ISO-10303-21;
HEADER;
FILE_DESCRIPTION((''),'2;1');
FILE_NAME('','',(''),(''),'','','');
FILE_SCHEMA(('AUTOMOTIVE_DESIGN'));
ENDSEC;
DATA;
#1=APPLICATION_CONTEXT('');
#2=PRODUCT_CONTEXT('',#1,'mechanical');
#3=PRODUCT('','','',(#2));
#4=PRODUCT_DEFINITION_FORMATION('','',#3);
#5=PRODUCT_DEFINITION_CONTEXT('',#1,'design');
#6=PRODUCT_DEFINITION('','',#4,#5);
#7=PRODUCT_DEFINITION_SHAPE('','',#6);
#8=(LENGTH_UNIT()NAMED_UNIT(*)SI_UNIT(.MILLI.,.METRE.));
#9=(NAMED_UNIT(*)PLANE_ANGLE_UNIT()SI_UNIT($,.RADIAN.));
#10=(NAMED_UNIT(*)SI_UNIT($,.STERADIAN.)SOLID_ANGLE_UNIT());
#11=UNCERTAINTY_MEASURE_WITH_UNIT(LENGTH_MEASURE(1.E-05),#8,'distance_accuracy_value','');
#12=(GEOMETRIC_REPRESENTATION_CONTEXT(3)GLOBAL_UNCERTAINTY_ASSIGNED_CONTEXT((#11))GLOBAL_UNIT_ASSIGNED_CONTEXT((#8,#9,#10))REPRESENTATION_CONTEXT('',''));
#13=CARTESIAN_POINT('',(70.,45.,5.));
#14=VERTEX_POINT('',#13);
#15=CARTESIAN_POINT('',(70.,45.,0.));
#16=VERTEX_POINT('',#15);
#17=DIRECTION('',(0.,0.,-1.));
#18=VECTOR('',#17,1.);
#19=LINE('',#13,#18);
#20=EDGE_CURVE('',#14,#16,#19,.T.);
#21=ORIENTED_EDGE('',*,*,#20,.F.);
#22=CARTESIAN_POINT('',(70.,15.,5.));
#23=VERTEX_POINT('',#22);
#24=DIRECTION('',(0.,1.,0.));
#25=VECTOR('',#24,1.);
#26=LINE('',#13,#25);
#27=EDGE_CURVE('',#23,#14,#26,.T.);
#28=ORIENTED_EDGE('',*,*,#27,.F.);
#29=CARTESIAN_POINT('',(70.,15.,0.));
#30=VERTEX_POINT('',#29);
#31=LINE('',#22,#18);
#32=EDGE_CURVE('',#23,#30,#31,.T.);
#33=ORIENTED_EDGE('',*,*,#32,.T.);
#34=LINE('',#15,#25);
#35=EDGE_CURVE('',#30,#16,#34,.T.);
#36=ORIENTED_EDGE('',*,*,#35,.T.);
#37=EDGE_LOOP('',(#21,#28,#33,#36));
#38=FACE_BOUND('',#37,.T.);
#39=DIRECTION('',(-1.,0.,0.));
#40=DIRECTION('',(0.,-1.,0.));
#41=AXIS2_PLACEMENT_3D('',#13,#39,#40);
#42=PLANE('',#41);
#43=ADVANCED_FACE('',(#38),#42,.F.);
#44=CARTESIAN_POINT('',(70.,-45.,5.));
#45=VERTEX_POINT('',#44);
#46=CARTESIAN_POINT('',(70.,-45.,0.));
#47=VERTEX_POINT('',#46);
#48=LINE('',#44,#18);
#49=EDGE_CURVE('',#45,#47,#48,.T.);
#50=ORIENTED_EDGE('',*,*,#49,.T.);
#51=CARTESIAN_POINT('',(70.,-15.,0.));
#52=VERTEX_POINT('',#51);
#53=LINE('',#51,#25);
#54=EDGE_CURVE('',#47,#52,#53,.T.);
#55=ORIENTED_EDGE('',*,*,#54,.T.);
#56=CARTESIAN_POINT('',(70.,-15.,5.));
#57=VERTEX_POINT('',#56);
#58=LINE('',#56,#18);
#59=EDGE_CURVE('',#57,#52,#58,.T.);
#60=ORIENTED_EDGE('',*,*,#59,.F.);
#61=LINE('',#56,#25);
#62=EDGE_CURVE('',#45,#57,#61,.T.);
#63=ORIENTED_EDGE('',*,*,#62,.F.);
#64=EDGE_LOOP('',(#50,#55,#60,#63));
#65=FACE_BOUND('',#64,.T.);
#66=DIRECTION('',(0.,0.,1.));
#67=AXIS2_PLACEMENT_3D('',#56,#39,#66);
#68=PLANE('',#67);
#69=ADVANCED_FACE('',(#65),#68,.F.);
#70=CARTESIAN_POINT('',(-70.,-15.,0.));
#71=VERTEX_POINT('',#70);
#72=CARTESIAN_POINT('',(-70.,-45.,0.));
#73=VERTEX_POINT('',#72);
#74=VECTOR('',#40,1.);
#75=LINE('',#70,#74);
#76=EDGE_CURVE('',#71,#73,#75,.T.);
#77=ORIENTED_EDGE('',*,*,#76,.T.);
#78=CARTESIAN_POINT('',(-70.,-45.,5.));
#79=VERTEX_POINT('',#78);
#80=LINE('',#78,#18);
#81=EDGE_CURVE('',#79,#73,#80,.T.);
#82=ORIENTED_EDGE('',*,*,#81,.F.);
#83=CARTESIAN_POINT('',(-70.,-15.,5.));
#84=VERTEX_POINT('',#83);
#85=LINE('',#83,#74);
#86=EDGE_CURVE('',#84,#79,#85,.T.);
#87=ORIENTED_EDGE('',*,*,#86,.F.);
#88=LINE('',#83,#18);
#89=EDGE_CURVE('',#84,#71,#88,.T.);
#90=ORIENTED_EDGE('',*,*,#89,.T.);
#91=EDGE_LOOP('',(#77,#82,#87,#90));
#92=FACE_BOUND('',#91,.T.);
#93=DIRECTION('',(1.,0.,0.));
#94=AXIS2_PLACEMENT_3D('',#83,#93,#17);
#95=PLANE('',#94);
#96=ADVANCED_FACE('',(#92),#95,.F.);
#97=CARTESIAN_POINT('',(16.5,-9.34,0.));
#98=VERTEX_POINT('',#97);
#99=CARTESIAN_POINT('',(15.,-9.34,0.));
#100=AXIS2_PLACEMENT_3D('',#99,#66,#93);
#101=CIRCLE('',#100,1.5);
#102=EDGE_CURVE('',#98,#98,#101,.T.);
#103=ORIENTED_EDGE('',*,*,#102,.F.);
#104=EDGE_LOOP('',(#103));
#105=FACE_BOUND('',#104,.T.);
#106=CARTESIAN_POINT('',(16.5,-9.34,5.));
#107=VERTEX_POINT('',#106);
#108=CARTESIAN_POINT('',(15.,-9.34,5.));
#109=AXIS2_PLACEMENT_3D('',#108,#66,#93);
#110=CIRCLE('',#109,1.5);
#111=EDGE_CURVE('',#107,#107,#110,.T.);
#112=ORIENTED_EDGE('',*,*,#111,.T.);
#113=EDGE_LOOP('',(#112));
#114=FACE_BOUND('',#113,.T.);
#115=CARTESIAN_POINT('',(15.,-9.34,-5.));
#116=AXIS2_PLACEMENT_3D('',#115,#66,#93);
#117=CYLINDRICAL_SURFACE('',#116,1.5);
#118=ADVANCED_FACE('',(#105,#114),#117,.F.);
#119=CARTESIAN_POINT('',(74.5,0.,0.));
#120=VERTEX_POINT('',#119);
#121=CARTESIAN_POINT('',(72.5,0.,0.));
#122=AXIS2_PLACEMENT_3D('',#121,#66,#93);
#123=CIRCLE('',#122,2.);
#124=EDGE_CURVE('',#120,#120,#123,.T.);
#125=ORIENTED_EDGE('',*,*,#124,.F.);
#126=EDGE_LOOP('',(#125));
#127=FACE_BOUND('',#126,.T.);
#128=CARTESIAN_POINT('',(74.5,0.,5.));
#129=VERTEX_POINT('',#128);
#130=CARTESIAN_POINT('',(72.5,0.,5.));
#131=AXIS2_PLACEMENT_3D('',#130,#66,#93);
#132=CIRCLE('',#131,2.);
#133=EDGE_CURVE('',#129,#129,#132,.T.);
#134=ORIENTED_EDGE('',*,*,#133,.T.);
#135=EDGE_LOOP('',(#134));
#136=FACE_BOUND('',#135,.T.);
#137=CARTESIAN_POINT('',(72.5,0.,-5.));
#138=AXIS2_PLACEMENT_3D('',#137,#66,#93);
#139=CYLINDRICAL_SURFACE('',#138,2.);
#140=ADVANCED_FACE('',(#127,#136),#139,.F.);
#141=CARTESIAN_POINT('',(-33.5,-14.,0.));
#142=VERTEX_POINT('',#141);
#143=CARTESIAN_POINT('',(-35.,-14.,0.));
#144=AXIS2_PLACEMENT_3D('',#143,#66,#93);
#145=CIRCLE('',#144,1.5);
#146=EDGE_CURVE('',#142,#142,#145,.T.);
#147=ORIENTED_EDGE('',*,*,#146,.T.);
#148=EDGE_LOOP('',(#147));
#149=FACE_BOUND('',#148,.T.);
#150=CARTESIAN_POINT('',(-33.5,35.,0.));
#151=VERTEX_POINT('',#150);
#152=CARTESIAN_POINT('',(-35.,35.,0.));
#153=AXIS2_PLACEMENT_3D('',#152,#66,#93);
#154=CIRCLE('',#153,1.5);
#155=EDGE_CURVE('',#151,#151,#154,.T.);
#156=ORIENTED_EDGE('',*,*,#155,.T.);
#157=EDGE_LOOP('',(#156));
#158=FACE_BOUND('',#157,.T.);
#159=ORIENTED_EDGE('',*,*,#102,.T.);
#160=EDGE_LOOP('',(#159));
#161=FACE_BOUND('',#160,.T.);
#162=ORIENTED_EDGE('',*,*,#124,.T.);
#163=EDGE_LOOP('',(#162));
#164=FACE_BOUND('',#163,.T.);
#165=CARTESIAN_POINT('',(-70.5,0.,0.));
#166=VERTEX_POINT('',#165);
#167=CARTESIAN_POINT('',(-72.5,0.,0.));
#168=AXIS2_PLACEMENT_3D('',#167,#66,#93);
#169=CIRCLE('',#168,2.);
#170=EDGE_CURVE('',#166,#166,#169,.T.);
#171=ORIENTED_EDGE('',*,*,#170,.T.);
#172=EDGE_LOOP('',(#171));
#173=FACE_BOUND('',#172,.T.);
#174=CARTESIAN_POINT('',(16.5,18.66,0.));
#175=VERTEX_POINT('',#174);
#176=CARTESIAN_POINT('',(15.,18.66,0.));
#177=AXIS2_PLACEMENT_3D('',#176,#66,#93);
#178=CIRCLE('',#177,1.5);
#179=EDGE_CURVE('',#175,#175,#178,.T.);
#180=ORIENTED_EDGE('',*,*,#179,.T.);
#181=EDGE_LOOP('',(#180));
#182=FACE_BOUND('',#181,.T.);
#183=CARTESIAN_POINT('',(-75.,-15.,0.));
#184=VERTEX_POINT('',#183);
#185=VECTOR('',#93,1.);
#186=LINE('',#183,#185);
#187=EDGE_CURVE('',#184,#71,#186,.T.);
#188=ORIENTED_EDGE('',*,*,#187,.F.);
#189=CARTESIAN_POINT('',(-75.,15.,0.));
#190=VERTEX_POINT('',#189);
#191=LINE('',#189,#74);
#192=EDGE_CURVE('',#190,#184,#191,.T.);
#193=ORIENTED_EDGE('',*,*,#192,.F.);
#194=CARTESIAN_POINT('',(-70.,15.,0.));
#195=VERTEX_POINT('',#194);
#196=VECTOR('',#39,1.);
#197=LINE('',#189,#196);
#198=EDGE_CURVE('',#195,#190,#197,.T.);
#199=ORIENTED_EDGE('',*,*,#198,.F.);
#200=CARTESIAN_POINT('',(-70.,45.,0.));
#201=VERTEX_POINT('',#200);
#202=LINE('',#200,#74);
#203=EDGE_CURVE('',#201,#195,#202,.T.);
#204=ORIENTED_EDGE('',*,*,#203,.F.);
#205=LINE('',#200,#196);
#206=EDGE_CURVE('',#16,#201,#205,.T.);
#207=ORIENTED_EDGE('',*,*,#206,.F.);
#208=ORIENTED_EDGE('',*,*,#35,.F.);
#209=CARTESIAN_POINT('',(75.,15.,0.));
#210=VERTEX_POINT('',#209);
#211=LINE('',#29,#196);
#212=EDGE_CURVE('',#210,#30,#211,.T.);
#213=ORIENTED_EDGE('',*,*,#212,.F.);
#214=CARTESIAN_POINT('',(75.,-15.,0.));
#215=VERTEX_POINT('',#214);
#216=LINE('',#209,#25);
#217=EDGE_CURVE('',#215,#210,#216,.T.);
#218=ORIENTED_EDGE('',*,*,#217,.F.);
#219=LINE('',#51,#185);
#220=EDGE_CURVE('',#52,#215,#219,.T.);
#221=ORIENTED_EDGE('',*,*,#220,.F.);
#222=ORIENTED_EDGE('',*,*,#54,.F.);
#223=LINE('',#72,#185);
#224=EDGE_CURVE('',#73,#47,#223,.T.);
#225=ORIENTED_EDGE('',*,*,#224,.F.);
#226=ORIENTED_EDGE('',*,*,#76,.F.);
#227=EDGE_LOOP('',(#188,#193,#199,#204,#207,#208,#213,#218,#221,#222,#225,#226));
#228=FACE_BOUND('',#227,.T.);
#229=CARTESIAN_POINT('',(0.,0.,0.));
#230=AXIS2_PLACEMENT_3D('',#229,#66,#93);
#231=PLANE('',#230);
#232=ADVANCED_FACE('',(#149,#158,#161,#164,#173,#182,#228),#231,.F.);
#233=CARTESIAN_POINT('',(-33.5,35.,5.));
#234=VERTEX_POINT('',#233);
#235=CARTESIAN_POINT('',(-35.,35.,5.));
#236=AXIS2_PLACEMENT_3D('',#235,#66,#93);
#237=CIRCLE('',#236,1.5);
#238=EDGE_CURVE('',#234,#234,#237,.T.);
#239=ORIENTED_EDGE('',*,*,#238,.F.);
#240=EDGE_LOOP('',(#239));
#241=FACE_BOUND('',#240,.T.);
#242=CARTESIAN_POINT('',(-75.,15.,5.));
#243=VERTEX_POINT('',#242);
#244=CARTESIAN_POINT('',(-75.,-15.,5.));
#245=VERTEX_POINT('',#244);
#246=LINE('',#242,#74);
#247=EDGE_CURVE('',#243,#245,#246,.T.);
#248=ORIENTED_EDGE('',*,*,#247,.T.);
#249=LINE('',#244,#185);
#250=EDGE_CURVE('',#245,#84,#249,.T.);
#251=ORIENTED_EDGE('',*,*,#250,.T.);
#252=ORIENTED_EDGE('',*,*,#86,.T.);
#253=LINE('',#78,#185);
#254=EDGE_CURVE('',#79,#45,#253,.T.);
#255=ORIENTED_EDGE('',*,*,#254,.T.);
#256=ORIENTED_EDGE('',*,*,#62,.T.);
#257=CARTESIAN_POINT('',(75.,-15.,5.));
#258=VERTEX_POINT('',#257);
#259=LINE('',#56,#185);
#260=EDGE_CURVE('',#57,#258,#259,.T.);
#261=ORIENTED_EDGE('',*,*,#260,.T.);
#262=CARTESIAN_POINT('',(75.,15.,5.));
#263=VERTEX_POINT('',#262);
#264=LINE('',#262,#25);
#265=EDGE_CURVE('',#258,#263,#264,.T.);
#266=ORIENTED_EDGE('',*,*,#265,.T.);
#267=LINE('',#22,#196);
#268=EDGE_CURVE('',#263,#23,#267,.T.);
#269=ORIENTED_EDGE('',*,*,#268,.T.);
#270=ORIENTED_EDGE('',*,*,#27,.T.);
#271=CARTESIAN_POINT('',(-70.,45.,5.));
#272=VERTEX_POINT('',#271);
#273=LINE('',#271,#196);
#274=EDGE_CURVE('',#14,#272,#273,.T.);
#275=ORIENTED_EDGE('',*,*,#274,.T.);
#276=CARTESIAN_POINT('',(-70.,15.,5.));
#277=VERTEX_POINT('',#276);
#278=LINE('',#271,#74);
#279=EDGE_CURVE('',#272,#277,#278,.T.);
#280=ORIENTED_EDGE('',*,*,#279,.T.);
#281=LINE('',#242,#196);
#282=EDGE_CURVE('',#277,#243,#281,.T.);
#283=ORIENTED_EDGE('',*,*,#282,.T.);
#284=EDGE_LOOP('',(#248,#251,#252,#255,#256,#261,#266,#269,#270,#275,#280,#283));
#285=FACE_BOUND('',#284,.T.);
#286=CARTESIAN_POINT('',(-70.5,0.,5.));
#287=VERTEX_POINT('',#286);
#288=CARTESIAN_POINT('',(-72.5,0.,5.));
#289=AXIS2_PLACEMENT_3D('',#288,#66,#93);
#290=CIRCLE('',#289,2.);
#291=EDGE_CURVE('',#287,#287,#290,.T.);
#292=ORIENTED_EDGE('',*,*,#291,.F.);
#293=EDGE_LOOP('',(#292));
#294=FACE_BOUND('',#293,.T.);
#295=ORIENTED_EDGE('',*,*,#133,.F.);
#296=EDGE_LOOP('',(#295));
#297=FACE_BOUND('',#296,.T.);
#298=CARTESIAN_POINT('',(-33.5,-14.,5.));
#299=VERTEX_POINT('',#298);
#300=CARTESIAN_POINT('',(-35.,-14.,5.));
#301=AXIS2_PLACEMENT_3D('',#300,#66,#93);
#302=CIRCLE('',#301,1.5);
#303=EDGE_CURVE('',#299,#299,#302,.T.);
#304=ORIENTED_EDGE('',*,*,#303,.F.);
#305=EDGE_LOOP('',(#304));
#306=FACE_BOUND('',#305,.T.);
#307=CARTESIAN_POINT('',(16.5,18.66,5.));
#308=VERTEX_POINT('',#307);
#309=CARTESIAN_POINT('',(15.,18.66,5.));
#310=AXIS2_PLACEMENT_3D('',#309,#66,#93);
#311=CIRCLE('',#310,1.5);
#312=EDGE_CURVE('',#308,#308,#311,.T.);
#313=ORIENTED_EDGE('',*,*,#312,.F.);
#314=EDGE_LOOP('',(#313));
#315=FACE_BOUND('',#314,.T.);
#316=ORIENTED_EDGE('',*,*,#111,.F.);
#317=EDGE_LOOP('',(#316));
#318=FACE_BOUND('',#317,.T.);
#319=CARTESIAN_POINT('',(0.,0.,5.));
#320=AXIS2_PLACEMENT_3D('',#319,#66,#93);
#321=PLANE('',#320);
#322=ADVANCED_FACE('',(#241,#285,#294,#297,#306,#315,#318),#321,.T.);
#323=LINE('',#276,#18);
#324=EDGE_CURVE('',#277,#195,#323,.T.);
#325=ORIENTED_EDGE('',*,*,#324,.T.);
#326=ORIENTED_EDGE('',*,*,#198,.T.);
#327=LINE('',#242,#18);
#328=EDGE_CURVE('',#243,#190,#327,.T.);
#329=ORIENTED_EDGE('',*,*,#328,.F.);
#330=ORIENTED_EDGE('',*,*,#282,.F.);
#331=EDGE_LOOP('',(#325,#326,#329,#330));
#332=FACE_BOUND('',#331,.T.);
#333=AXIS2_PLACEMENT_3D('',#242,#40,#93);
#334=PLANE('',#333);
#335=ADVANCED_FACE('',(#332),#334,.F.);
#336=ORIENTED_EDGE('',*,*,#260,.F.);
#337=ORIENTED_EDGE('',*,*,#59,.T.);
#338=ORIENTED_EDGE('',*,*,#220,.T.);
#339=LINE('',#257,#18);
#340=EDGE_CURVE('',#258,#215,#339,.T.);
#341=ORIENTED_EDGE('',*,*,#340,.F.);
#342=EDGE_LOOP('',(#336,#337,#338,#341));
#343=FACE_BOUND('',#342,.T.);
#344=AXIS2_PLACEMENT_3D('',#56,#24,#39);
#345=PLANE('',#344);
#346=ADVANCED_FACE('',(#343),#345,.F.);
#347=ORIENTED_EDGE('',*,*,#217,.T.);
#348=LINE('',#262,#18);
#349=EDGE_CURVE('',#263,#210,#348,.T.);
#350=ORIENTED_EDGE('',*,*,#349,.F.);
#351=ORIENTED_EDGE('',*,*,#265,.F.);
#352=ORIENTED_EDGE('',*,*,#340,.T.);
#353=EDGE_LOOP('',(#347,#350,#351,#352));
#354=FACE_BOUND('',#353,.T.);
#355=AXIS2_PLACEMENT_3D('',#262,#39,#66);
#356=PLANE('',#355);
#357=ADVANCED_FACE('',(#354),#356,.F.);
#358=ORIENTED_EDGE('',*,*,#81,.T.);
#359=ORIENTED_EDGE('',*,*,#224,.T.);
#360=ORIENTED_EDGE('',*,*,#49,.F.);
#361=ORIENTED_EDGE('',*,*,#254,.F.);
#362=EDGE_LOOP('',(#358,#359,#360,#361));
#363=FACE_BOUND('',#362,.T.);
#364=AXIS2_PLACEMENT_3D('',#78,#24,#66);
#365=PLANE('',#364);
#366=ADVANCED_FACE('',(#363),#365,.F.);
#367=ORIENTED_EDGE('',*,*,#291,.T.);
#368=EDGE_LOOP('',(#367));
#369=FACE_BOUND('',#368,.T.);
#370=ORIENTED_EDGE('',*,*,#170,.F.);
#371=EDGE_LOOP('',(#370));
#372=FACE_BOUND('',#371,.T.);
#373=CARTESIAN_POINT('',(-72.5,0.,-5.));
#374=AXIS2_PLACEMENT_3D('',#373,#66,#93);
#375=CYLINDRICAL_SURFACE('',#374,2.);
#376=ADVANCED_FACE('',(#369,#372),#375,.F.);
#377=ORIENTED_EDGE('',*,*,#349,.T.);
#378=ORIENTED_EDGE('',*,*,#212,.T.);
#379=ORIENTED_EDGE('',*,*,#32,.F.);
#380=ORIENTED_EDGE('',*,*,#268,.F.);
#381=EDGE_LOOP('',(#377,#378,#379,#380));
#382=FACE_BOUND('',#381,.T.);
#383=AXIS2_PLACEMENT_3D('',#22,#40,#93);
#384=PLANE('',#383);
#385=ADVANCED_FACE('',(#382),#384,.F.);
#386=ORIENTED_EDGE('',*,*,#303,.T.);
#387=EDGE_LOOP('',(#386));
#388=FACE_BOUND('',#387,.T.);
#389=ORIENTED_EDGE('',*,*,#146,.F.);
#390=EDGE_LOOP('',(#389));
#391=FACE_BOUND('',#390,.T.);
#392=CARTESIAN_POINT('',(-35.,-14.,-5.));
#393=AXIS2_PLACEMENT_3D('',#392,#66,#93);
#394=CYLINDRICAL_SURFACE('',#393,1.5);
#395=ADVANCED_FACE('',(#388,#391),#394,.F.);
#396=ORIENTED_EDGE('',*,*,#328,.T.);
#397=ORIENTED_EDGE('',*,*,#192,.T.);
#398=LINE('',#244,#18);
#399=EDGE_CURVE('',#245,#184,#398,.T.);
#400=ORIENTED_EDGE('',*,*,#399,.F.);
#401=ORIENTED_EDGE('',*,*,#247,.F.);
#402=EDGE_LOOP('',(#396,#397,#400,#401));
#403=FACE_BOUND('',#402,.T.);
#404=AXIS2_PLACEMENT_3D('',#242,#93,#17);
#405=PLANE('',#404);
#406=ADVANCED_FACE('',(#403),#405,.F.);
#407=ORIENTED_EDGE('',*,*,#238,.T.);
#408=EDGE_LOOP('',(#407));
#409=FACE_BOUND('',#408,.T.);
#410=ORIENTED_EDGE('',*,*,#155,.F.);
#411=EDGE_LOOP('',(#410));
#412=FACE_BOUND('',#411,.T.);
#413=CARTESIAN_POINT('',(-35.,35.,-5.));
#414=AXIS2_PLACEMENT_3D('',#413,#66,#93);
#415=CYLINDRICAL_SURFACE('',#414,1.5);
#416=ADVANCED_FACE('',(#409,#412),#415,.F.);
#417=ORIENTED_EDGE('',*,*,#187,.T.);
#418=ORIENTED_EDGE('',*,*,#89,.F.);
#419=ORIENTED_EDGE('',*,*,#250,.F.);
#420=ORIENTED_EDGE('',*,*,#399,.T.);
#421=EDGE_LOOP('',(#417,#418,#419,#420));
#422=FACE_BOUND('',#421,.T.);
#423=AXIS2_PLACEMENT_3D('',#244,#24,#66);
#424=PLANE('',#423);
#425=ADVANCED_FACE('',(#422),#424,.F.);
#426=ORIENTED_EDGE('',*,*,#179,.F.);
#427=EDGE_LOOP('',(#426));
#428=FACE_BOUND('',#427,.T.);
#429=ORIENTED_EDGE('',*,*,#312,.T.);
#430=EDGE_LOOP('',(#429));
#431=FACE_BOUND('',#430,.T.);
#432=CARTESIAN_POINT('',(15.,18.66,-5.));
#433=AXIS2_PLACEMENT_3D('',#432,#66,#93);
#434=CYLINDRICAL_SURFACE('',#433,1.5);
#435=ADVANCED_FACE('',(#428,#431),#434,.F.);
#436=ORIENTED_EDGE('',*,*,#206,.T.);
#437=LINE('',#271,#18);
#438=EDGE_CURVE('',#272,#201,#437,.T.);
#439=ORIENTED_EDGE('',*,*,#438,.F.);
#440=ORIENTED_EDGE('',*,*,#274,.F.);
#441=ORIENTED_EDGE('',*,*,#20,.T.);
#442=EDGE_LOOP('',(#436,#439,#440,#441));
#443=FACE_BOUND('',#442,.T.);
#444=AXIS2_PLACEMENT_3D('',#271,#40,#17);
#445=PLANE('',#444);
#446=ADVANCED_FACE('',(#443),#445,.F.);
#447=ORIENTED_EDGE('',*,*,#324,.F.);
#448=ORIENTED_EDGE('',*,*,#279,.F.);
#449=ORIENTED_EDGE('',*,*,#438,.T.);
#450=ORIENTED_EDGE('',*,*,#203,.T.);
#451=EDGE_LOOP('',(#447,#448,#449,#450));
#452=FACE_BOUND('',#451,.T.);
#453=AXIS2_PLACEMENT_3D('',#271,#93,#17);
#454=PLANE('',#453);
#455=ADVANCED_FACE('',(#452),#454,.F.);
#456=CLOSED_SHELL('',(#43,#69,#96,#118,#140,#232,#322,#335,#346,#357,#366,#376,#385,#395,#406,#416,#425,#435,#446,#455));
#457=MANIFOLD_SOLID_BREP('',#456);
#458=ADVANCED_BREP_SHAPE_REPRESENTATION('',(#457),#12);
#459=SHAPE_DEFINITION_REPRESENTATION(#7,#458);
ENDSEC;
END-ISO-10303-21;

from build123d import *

# Parameters (mm, degrees)
BOSS_EXTRUDE1_DEPTH = 5
SKETCH2_R           = 1.5
CUT_EXTRUDE1_DEPTH  = 10
SKETCH3_R           = 2
CUT_EXTRUDE2_DEPTH  = 10


with BuildPart() as part:
    # Sketch1 → Boss-Extrude1 (new body)
    with BuildSketch(Plane.XY):
        Polygon((-75, -15), (-70, -15), (-70, -45), (70, -45), (70, -15), (75, -15), (75, 15), (70, 15), (70, 45), (-70, 45), (-70, 15), (-75, 15), align=None)
    extrude(amount=BOSS_EXTRUDE1_DEPTH)

    # Sketch2 → Cut-Extrude1 (cut)
    with BuildSketch(Plane.XY.offset(5)):
        with Locations((15, 18.66)):
            Circle(SKETCH2_R)
        with Locations((15, -9.34)):
            Circle(SKETCH2_R)
        with Locations((-35, 35)):
            Circle(SKETCH2_R)
        with Locations((-35, -14)):
            Circle(SKETCH2_R)
    extrude(amount=-CUT_EXTRUDE1_DEPTH, mode=Mode.SUBTRACT)

    # Sketch3 → Cut-Extrude2 (cut)
    with BuildSketch(Plane.XY.offset(5)):
        with Locations((-72.5, 0)):
            Circle(SKETCH3_R)
        with Locations((72.5, 0)):
            Circle(SKETCH3_R)
    extrude(amount=-CUT_EXTRUDE2_DEPTH, mode=Mode.SUBTRACT)


solid = part.part
